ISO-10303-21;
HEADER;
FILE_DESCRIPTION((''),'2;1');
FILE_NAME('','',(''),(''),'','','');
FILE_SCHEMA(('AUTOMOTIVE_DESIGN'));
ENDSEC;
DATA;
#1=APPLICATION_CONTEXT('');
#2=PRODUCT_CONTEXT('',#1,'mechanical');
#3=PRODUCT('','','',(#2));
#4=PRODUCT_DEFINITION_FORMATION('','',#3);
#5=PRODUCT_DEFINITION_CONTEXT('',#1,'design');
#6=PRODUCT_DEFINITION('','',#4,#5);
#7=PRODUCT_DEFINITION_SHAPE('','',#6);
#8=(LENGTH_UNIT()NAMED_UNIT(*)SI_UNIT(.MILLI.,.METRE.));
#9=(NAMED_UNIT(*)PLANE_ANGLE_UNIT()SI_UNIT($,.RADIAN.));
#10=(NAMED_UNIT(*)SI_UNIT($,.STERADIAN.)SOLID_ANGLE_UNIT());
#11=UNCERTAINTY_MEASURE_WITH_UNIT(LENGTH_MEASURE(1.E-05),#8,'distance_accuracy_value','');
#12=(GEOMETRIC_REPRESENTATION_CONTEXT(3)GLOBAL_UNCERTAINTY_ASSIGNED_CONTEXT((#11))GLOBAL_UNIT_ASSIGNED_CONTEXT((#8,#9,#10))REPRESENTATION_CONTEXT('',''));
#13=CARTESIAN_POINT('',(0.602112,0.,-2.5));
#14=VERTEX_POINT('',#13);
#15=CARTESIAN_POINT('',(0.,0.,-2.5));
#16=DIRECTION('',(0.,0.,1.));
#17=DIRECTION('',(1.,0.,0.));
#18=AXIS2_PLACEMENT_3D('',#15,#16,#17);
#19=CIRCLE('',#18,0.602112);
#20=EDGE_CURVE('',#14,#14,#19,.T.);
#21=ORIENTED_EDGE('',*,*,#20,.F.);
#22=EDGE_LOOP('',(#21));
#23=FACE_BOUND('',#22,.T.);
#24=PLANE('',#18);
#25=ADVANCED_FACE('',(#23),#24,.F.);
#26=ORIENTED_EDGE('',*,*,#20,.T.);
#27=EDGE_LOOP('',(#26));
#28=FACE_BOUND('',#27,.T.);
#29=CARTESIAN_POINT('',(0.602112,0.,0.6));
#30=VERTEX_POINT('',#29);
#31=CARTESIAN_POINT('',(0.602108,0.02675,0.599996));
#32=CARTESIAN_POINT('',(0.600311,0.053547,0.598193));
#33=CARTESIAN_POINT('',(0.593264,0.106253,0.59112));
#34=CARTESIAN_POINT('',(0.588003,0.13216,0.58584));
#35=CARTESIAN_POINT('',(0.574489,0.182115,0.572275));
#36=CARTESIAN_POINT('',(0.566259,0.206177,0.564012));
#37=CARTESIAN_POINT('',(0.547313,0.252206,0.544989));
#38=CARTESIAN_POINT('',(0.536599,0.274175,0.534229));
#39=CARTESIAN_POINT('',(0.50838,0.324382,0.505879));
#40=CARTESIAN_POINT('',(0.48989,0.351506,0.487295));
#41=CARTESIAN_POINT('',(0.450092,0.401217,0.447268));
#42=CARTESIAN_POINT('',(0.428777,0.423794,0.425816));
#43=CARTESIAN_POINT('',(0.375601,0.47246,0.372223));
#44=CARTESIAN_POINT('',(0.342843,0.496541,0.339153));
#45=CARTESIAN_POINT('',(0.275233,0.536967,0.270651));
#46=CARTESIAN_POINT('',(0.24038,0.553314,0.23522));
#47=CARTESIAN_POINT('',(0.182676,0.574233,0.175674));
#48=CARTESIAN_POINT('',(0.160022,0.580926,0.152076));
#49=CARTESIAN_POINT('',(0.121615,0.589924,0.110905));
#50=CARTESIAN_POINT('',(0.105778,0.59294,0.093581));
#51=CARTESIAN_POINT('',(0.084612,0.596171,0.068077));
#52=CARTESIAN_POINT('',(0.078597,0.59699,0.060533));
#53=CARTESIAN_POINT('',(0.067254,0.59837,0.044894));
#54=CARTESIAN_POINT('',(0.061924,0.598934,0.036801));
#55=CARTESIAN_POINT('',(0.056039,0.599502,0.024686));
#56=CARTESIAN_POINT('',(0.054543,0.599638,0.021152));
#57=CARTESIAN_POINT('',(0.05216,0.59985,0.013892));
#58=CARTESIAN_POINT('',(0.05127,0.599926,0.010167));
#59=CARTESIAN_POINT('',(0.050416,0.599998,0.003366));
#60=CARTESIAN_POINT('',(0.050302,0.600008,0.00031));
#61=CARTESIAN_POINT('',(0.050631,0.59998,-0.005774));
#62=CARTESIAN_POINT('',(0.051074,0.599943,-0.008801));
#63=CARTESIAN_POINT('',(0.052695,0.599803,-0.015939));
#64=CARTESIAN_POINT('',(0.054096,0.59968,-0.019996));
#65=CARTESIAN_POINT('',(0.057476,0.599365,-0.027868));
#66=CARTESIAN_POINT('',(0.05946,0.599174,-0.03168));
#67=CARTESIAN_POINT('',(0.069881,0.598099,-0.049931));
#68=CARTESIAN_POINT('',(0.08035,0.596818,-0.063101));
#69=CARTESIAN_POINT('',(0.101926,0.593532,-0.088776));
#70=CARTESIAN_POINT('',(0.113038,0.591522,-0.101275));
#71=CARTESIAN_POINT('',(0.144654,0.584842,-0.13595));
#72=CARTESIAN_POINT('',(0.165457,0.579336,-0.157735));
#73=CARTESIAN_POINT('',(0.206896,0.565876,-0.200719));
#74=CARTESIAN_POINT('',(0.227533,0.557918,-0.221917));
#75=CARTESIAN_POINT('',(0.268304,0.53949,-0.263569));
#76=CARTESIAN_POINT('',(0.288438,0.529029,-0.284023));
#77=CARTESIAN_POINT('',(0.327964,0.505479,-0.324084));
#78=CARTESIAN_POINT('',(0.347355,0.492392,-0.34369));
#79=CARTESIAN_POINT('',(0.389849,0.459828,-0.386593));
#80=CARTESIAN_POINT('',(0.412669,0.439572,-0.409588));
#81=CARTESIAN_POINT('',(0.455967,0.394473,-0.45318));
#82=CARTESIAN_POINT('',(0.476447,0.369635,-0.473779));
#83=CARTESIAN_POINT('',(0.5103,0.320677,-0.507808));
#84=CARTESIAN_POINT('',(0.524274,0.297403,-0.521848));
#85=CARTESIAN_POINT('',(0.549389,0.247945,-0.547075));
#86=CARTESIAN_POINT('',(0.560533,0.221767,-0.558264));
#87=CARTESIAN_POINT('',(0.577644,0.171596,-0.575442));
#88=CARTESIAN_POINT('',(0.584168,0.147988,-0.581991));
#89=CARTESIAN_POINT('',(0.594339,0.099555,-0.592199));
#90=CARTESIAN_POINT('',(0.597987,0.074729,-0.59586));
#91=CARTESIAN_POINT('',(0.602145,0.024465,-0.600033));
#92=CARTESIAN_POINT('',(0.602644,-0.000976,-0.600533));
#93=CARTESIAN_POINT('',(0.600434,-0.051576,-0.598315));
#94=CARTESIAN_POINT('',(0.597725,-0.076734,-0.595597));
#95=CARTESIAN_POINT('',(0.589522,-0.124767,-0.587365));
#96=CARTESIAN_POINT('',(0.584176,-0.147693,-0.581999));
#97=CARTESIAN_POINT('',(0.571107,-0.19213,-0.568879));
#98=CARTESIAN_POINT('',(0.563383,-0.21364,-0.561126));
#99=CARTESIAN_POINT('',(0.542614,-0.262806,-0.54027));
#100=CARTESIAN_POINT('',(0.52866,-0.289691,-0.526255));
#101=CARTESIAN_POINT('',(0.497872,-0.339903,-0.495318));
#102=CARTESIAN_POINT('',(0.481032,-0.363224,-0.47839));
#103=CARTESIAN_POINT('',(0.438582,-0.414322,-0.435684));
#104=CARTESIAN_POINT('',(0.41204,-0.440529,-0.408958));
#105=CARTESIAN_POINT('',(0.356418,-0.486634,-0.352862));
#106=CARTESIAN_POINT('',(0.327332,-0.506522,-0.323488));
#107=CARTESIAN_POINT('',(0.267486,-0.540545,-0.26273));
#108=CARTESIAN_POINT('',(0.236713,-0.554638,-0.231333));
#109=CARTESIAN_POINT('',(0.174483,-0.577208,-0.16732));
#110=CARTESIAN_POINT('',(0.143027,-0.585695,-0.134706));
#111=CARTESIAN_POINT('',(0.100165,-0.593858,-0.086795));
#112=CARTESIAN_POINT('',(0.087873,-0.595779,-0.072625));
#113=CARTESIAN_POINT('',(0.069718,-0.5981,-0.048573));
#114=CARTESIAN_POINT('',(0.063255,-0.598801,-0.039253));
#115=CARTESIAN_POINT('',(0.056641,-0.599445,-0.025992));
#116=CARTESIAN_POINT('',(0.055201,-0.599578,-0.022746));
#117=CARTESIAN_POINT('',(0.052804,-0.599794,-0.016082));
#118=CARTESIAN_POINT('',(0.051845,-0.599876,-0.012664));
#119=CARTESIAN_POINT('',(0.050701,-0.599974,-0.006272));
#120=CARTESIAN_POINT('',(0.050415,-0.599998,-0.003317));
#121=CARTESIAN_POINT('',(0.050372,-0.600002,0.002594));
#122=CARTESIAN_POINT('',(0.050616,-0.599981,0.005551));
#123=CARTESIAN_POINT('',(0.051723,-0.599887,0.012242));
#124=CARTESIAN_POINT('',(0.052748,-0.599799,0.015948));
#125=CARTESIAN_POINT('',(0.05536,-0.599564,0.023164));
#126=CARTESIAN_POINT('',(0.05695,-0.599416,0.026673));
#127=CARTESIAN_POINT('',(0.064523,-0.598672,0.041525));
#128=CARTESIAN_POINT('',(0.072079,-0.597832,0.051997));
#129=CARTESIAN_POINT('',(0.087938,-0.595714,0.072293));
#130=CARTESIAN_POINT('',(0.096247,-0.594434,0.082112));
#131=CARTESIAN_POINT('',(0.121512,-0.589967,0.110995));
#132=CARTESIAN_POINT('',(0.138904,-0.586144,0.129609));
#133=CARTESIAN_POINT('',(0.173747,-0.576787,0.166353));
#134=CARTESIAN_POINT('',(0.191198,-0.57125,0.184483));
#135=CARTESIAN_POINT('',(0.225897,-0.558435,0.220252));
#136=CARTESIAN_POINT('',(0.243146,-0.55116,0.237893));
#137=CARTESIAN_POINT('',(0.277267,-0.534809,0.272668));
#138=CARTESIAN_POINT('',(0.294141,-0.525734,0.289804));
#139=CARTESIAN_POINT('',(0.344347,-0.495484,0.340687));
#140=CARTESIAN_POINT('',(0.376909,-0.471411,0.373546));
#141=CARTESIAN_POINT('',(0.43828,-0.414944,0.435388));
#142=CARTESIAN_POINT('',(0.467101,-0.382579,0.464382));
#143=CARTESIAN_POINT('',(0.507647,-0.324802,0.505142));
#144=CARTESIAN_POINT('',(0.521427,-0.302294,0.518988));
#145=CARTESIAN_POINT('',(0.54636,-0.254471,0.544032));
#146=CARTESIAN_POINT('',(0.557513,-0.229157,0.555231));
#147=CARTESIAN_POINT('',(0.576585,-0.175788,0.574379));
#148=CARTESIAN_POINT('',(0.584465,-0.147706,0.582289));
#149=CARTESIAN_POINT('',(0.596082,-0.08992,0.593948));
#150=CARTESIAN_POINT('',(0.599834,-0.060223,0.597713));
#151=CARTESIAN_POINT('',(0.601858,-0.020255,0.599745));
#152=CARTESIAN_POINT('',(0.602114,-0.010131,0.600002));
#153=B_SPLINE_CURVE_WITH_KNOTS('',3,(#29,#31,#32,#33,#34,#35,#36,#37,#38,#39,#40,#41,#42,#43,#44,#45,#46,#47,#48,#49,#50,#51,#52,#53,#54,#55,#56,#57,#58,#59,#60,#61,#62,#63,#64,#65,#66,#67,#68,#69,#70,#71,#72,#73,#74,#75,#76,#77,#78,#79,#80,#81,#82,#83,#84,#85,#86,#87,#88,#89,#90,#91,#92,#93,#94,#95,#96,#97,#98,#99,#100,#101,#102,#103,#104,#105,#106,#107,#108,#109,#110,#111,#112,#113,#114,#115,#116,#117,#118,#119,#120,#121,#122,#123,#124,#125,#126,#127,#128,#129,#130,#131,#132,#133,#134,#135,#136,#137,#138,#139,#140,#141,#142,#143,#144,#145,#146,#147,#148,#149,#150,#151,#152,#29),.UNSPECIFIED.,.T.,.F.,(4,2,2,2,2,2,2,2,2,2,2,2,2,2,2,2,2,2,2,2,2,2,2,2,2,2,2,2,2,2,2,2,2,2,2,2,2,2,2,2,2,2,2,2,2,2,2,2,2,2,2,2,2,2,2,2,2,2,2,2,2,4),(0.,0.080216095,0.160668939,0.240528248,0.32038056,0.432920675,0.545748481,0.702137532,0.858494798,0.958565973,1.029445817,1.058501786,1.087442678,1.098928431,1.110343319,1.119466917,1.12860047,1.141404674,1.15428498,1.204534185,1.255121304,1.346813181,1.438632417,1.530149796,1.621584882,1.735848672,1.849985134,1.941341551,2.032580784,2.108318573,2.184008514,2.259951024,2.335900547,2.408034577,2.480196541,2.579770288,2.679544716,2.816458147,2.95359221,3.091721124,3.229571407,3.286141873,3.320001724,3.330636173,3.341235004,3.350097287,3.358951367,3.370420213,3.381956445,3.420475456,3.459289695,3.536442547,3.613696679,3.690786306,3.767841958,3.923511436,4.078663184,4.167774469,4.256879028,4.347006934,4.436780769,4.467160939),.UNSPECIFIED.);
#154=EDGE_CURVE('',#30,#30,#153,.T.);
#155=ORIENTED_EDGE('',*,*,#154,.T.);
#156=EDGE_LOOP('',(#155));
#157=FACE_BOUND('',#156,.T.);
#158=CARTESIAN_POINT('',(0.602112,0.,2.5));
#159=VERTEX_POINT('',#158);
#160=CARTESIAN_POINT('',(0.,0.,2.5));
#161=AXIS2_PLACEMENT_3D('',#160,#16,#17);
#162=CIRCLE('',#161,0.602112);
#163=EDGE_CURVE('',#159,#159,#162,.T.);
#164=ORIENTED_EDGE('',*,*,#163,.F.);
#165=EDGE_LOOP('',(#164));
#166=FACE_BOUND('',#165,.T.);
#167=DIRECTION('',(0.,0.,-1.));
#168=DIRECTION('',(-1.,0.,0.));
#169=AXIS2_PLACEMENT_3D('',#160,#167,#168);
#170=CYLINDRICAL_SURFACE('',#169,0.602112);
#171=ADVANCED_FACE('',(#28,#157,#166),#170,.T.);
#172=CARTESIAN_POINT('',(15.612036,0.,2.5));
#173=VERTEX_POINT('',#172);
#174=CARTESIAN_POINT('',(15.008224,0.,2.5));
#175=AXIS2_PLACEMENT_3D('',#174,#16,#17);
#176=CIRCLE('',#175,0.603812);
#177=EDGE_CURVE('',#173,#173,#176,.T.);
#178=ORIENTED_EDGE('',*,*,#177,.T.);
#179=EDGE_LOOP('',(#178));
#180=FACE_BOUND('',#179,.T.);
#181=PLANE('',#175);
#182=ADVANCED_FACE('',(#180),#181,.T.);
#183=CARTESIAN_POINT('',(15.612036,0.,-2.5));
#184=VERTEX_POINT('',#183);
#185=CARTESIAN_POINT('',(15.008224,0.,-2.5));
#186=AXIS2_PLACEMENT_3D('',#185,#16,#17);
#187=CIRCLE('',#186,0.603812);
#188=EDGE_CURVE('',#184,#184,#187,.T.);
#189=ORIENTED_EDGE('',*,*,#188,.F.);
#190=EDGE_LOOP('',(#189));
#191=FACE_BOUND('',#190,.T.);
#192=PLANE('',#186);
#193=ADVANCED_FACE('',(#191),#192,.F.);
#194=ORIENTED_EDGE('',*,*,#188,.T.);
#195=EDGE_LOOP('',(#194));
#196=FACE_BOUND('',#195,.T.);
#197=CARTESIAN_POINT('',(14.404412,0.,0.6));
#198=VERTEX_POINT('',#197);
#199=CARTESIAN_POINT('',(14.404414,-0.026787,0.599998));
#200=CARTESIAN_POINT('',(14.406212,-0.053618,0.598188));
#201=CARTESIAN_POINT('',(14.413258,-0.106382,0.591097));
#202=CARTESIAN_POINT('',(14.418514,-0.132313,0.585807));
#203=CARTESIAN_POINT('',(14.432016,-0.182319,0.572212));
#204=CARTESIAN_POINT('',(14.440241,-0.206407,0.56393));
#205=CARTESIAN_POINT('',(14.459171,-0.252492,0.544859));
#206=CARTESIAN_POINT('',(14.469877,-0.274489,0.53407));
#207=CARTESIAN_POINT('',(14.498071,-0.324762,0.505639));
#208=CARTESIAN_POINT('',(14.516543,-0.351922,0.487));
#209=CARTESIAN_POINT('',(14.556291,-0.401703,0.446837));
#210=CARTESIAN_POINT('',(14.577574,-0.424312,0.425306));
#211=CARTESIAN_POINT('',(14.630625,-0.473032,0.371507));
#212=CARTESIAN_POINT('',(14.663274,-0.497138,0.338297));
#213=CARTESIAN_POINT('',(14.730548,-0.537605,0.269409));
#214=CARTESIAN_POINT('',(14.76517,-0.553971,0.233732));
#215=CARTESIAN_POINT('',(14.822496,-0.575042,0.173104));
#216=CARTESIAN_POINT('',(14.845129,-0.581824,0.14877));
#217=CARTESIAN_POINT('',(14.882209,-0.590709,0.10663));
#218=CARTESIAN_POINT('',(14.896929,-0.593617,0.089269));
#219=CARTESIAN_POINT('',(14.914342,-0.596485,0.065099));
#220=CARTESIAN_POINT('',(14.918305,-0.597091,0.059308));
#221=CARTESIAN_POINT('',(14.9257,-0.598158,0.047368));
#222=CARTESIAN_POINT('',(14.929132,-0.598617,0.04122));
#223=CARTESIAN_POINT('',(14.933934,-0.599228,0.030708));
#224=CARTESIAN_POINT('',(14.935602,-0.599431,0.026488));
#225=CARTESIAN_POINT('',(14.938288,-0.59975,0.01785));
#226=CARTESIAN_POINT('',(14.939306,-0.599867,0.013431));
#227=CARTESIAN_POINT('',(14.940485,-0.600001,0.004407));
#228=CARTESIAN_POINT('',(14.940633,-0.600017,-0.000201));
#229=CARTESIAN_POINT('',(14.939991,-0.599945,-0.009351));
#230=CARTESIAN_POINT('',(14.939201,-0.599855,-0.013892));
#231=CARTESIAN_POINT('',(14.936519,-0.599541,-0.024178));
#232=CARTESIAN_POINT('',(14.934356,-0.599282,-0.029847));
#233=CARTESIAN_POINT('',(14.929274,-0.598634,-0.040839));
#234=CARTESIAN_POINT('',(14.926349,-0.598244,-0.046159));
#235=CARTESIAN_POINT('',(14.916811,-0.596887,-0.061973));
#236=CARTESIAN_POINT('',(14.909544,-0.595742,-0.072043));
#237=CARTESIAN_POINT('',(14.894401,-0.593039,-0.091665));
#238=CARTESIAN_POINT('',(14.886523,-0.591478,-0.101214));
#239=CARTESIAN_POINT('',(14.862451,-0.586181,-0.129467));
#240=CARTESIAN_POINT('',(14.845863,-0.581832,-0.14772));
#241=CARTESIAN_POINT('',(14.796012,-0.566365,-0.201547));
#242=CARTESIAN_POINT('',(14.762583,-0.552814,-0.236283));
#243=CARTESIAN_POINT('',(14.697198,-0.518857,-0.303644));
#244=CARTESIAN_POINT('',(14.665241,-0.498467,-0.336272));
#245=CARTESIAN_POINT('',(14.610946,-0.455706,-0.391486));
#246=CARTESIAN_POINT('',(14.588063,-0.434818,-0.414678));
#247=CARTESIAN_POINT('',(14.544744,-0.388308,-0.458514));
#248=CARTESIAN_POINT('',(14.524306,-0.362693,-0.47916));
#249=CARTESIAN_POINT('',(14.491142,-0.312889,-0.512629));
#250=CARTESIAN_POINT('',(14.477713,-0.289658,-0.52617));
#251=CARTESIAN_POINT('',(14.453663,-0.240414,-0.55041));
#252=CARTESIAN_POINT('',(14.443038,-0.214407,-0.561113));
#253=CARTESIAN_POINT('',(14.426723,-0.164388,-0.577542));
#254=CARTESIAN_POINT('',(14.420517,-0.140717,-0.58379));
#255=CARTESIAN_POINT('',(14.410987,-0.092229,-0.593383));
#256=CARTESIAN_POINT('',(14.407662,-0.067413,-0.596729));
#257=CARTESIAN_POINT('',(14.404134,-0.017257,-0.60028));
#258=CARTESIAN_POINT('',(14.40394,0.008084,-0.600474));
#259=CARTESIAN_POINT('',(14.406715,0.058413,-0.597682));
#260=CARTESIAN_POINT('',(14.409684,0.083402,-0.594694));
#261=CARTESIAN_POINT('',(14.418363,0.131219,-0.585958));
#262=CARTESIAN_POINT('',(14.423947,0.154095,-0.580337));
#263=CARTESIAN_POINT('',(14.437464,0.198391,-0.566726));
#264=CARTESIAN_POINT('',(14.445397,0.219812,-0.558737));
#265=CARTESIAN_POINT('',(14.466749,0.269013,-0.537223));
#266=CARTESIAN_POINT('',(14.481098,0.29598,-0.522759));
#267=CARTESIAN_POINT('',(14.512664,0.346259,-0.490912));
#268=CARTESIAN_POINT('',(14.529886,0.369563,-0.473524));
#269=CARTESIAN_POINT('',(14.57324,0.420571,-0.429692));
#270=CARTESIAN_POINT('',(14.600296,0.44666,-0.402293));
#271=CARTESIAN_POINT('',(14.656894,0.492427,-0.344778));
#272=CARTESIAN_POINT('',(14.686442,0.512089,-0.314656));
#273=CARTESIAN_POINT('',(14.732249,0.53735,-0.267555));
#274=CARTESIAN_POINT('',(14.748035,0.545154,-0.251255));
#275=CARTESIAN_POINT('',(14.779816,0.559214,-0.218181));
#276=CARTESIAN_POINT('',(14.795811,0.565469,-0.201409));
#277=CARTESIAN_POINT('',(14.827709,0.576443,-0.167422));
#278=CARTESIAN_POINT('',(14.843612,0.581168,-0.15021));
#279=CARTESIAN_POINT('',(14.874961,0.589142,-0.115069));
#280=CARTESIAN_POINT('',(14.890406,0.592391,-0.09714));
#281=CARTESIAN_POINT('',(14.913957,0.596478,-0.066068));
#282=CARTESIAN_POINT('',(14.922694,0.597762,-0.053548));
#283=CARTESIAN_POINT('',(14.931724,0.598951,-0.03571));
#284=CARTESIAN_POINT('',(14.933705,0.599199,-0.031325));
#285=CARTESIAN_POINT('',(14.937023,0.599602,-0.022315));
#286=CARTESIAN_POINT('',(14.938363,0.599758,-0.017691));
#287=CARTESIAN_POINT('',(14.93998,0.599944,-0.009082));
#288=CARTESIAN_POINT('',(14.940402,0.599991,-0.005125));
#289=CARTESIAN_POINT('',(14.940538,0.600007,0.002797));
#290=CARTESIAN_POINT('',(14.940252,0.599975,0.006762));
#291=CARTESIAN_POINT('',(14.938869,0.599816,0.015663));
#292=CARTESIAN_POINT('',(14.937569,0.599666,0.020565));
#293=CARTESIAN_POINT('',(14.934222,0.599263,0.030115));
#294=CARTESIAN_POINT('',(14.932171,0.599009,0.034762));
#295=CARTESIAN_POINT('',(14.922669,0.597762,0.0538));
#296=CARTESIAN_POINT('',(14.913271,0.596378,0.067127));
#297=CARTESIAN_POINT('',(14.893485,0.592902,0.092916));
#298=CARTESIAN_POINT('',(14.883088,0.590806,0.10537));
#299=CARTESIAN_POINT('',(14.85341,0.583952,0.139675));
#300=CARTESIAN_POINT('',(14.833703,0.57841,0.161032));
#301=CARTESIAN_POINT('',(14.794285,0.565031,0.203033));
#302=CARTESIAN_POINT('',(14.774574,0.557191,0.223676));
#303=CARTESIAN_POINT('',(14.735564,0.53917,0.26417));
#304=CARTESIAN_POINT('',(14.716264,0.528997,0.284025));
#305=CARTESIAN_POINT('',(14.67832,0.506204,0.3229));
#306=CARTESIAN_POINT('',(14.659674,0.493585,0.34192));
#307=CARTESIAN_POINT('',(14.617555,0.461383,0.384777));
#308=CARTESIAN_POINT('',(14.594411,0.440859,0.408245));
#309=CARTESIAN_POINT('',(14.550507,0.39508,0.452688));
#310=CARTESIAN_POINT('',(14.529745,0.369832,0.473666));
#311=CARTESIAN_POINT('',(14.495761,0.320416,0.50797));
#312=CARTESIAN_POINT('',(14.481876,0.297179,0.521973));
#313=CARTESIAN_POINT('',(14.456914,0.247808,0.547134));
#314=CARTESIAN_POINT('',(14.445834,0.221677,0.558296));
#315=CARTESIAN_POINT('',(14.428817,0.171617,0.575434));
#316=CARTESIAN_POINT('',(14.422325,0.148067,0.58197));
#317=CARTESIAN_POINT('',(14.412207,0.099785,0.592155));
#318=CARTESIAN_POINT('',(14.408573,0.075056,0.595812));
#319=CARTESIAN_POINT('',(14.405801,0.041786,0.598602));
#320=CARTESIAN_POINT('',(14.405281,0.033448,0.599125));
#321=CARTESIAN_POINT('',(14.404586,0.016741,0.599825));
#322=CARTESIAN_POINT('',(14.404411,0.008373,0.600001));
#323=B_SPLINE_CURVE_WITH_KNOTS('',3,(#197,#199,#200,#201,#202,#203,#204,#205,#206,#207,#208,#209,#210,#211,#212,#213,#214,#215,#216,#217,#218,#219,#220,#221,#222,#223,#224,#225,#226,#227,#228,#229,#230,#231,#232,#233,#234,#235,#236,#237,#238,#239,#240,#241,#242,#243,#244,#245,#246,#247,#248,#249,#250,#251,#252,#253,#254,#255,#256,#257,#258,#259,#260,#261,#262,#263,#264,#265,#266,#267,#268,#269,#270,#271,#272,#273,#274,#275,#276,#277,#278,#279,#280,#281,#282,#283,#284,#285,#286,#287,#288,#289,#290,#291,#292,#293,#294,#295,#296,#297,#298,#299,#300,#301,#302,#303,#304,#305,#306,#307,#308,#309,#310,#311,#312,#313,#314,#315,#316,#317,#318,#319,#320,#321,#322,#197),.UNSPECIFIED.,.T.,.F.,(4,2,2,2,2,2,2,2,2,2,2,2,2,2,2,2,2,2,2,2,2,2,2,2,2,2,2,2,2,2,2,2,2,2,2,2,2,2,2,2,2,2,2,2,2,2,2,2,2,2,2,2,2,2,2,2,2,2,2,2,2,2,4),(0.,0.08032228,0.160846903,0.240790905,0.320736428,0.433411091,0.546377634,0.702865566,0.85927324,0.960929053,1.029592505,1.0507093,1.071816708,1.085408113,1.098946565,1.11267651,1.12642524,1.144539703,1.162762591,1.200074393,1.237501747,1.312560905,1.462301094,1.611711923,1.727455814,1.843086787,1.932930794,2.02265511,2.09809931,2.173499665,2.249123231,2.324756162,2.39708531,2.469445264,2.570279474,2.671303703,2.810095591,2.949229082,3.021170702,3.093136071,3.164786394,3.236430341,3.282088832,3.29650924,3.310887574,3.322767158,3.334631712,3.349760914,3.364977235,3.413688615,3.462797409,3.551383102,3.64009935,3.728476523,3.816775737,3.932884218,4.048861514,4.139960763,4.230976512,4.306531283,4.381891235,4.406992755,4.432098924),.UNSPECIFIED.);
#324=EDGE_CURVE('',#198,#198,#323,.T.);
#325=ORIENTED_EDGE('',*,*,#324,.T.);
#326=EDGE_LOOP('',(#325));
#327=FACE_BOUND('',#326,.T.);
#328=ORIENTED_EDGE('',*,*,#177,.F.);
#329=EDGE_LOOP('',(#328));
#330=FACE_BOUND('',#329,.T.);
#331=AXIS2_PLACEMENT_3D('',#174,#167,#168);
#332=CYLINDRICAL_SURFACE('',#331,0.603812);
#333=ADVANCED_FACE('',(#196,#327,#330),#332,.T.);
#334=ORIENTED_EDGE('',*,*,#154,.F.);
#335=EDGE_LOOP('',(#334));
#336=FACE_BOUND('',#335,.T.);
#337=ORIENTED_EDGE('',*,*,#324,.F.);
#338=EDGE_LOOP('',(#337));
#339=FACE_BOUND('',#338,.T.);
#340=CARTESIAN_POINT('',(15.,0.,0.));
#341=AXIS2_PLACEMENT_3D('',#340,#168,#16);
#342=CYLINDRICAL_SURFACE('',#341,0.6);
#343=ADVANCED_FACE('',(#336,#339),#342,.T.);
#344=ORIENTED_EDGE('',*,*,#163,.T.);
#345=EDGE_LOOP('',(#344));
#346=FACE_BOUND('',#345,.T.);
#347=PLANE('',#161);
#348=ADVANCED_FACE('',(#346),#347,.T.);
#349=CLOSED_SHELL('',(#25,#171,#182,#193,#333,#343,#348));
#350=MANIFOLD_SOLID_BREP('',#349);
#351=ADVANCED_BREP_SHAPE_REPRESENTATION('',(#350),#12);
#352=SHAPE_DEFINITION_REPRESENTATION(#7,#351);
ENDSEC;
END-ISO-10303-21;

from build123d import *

# Parameters (mm, degrees)
SKETCH_1_R      = 0.6
EXTRUDE_1_DEPTH = 15
SKETCH_2_R      = 0.60381225
SKETCH_2_R_2    = 0.602112423
EXTRUDE_2_DEPTH = 2.5


with BuildPart() as part:
    # 草图1 → 凸台-拉伸1 (new body)
    with BuildSketch(Plane(origin=(0, 0, 0), x_dir=(0, 0, -1), z_dir=(1, 0, 0))):
        Circle(SKETCH_1_R)
    extrude(amount=EXTRUDE_1_DEPTH)

    # 草图2 → 凸台-拉伸2 (add, symmetric)
    with BuildSketch(Plane.XY):
        with Locations((15.00822403, 0)):
            Circle(SKETCH_2_R)
        Circle(SKETCH_2_R_2)
    extrude(amount=EXTRUDE_2_DEPTH, both=True)


solid = part.part
